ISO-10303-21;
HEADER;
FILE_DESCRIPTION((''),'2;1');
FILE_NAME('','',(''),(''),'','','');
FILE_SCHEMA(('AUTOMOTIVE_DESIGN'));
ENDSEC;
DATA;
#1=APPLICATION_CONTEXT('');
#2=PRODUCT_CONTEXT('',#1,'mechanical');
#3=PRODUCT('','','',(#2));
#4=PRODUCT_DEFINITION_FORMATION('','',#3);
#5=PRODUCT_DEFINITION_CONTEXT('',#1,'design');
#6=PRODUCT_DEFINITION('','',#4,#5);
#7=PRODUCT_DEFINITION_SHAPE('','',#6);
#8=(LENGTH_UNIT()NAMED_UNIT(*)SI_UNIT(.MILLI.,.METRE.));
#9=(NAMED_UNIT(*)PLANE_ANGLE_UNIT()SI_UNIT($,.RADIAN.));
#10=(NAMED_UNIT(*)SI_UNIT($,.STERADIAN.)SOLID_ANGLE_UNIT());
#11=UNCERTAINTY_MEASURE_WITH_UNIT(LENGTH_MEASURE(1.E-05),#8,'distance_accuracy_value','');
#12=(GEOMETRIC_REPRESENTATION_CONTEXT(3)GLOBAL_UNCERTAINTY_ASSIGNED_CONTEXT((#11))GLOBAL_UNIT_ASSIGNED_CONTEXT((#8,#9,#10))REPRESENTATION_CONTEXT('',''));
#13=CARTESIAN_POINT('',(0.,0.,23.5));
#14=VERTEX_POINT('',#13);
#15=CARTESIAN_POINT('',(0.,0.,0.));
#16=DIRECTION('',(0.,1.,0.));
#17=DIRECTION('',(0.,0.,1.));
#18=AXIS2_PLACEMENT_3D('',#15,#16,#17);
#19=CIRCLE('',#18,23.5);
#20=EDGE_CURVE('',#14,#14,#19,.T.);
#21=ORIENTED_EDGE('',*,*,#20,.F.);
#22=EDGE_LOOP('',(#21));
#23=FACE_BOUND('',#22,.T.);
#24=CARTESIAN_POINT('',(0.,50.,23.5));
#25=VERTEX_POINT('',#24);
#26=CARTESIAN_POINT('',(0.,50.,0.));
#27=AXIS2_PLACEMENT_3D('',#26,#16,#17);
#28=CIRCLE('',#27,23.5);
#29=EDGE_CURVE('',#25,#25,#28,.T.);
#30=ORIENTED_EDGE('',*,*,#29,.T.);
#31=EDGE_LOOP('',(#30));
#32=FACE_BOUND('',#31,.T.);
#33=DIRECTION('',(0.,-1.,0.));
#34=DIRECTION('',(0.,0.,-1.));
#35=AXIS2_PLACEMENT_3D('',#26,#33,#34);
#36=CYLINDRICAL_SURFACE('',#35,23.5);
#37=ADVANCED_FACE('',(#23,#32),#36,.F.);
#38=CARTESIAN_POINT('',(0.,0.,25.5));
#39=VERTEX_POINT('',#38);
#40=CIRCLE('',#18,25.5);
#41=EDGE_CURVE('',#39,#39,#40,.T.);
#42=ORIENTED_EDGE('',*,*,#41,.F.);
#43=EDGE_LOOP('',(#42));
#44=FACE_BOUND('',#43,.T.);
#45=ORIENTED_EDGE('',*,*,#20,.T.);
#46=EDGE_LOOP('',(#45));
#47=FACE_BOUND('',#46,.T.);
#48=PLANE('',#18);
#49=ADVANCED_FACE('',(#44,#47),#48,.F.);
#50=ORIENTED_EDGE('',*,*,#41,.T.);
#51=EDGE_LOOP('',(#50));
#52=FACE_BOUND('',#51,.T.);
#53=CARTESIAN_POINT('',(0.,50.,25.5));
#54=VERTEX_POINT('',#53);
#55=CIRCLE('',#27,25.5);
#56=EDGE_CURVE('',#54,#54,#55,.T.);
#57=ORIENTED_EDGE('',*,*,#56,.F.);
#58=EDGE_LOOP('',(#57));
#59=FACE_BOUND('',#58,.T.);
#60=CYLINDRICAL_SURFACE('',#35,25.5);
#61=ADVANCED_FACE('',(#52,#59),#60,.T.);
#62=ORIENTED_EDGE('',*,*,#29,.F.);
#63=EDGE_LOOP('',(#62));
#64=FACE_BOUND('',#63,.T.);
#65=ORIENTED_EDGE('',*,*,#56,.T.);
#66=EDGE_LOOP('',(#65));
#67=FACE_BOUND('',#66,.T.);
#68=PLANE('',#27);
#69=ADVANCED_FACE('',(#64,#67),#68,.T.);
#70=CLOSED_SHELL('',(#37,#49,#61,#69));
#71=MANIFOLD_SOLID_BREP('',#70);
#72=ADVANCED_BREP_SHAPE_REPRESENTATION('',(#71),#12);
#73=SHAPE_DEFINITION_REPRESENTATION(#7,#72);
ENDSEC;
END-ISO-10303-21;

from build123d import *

# Parameters (mm, degrees)
SKETCH1_R           = 25.5
SKETCH1_R_2         = 23.5
BOSS_EXTRUDE1_DEPTH = 50


with BuildPart() as part:
    # Sketch1 → Boss-Extrude1 (new body)
    with BuildSketch(Plane(origin=(0, 0, 0), x_dir=(1, 0, 0), z_dir=(0, 1, 0))):
        Circle(SKETCH1_R)
        Circle(SKETCH1_R_2, mode=Mode.SUBTRACT)
    extrude(amount=BOSS_EXTRUDE1_DEPTH)


solid = part.part
